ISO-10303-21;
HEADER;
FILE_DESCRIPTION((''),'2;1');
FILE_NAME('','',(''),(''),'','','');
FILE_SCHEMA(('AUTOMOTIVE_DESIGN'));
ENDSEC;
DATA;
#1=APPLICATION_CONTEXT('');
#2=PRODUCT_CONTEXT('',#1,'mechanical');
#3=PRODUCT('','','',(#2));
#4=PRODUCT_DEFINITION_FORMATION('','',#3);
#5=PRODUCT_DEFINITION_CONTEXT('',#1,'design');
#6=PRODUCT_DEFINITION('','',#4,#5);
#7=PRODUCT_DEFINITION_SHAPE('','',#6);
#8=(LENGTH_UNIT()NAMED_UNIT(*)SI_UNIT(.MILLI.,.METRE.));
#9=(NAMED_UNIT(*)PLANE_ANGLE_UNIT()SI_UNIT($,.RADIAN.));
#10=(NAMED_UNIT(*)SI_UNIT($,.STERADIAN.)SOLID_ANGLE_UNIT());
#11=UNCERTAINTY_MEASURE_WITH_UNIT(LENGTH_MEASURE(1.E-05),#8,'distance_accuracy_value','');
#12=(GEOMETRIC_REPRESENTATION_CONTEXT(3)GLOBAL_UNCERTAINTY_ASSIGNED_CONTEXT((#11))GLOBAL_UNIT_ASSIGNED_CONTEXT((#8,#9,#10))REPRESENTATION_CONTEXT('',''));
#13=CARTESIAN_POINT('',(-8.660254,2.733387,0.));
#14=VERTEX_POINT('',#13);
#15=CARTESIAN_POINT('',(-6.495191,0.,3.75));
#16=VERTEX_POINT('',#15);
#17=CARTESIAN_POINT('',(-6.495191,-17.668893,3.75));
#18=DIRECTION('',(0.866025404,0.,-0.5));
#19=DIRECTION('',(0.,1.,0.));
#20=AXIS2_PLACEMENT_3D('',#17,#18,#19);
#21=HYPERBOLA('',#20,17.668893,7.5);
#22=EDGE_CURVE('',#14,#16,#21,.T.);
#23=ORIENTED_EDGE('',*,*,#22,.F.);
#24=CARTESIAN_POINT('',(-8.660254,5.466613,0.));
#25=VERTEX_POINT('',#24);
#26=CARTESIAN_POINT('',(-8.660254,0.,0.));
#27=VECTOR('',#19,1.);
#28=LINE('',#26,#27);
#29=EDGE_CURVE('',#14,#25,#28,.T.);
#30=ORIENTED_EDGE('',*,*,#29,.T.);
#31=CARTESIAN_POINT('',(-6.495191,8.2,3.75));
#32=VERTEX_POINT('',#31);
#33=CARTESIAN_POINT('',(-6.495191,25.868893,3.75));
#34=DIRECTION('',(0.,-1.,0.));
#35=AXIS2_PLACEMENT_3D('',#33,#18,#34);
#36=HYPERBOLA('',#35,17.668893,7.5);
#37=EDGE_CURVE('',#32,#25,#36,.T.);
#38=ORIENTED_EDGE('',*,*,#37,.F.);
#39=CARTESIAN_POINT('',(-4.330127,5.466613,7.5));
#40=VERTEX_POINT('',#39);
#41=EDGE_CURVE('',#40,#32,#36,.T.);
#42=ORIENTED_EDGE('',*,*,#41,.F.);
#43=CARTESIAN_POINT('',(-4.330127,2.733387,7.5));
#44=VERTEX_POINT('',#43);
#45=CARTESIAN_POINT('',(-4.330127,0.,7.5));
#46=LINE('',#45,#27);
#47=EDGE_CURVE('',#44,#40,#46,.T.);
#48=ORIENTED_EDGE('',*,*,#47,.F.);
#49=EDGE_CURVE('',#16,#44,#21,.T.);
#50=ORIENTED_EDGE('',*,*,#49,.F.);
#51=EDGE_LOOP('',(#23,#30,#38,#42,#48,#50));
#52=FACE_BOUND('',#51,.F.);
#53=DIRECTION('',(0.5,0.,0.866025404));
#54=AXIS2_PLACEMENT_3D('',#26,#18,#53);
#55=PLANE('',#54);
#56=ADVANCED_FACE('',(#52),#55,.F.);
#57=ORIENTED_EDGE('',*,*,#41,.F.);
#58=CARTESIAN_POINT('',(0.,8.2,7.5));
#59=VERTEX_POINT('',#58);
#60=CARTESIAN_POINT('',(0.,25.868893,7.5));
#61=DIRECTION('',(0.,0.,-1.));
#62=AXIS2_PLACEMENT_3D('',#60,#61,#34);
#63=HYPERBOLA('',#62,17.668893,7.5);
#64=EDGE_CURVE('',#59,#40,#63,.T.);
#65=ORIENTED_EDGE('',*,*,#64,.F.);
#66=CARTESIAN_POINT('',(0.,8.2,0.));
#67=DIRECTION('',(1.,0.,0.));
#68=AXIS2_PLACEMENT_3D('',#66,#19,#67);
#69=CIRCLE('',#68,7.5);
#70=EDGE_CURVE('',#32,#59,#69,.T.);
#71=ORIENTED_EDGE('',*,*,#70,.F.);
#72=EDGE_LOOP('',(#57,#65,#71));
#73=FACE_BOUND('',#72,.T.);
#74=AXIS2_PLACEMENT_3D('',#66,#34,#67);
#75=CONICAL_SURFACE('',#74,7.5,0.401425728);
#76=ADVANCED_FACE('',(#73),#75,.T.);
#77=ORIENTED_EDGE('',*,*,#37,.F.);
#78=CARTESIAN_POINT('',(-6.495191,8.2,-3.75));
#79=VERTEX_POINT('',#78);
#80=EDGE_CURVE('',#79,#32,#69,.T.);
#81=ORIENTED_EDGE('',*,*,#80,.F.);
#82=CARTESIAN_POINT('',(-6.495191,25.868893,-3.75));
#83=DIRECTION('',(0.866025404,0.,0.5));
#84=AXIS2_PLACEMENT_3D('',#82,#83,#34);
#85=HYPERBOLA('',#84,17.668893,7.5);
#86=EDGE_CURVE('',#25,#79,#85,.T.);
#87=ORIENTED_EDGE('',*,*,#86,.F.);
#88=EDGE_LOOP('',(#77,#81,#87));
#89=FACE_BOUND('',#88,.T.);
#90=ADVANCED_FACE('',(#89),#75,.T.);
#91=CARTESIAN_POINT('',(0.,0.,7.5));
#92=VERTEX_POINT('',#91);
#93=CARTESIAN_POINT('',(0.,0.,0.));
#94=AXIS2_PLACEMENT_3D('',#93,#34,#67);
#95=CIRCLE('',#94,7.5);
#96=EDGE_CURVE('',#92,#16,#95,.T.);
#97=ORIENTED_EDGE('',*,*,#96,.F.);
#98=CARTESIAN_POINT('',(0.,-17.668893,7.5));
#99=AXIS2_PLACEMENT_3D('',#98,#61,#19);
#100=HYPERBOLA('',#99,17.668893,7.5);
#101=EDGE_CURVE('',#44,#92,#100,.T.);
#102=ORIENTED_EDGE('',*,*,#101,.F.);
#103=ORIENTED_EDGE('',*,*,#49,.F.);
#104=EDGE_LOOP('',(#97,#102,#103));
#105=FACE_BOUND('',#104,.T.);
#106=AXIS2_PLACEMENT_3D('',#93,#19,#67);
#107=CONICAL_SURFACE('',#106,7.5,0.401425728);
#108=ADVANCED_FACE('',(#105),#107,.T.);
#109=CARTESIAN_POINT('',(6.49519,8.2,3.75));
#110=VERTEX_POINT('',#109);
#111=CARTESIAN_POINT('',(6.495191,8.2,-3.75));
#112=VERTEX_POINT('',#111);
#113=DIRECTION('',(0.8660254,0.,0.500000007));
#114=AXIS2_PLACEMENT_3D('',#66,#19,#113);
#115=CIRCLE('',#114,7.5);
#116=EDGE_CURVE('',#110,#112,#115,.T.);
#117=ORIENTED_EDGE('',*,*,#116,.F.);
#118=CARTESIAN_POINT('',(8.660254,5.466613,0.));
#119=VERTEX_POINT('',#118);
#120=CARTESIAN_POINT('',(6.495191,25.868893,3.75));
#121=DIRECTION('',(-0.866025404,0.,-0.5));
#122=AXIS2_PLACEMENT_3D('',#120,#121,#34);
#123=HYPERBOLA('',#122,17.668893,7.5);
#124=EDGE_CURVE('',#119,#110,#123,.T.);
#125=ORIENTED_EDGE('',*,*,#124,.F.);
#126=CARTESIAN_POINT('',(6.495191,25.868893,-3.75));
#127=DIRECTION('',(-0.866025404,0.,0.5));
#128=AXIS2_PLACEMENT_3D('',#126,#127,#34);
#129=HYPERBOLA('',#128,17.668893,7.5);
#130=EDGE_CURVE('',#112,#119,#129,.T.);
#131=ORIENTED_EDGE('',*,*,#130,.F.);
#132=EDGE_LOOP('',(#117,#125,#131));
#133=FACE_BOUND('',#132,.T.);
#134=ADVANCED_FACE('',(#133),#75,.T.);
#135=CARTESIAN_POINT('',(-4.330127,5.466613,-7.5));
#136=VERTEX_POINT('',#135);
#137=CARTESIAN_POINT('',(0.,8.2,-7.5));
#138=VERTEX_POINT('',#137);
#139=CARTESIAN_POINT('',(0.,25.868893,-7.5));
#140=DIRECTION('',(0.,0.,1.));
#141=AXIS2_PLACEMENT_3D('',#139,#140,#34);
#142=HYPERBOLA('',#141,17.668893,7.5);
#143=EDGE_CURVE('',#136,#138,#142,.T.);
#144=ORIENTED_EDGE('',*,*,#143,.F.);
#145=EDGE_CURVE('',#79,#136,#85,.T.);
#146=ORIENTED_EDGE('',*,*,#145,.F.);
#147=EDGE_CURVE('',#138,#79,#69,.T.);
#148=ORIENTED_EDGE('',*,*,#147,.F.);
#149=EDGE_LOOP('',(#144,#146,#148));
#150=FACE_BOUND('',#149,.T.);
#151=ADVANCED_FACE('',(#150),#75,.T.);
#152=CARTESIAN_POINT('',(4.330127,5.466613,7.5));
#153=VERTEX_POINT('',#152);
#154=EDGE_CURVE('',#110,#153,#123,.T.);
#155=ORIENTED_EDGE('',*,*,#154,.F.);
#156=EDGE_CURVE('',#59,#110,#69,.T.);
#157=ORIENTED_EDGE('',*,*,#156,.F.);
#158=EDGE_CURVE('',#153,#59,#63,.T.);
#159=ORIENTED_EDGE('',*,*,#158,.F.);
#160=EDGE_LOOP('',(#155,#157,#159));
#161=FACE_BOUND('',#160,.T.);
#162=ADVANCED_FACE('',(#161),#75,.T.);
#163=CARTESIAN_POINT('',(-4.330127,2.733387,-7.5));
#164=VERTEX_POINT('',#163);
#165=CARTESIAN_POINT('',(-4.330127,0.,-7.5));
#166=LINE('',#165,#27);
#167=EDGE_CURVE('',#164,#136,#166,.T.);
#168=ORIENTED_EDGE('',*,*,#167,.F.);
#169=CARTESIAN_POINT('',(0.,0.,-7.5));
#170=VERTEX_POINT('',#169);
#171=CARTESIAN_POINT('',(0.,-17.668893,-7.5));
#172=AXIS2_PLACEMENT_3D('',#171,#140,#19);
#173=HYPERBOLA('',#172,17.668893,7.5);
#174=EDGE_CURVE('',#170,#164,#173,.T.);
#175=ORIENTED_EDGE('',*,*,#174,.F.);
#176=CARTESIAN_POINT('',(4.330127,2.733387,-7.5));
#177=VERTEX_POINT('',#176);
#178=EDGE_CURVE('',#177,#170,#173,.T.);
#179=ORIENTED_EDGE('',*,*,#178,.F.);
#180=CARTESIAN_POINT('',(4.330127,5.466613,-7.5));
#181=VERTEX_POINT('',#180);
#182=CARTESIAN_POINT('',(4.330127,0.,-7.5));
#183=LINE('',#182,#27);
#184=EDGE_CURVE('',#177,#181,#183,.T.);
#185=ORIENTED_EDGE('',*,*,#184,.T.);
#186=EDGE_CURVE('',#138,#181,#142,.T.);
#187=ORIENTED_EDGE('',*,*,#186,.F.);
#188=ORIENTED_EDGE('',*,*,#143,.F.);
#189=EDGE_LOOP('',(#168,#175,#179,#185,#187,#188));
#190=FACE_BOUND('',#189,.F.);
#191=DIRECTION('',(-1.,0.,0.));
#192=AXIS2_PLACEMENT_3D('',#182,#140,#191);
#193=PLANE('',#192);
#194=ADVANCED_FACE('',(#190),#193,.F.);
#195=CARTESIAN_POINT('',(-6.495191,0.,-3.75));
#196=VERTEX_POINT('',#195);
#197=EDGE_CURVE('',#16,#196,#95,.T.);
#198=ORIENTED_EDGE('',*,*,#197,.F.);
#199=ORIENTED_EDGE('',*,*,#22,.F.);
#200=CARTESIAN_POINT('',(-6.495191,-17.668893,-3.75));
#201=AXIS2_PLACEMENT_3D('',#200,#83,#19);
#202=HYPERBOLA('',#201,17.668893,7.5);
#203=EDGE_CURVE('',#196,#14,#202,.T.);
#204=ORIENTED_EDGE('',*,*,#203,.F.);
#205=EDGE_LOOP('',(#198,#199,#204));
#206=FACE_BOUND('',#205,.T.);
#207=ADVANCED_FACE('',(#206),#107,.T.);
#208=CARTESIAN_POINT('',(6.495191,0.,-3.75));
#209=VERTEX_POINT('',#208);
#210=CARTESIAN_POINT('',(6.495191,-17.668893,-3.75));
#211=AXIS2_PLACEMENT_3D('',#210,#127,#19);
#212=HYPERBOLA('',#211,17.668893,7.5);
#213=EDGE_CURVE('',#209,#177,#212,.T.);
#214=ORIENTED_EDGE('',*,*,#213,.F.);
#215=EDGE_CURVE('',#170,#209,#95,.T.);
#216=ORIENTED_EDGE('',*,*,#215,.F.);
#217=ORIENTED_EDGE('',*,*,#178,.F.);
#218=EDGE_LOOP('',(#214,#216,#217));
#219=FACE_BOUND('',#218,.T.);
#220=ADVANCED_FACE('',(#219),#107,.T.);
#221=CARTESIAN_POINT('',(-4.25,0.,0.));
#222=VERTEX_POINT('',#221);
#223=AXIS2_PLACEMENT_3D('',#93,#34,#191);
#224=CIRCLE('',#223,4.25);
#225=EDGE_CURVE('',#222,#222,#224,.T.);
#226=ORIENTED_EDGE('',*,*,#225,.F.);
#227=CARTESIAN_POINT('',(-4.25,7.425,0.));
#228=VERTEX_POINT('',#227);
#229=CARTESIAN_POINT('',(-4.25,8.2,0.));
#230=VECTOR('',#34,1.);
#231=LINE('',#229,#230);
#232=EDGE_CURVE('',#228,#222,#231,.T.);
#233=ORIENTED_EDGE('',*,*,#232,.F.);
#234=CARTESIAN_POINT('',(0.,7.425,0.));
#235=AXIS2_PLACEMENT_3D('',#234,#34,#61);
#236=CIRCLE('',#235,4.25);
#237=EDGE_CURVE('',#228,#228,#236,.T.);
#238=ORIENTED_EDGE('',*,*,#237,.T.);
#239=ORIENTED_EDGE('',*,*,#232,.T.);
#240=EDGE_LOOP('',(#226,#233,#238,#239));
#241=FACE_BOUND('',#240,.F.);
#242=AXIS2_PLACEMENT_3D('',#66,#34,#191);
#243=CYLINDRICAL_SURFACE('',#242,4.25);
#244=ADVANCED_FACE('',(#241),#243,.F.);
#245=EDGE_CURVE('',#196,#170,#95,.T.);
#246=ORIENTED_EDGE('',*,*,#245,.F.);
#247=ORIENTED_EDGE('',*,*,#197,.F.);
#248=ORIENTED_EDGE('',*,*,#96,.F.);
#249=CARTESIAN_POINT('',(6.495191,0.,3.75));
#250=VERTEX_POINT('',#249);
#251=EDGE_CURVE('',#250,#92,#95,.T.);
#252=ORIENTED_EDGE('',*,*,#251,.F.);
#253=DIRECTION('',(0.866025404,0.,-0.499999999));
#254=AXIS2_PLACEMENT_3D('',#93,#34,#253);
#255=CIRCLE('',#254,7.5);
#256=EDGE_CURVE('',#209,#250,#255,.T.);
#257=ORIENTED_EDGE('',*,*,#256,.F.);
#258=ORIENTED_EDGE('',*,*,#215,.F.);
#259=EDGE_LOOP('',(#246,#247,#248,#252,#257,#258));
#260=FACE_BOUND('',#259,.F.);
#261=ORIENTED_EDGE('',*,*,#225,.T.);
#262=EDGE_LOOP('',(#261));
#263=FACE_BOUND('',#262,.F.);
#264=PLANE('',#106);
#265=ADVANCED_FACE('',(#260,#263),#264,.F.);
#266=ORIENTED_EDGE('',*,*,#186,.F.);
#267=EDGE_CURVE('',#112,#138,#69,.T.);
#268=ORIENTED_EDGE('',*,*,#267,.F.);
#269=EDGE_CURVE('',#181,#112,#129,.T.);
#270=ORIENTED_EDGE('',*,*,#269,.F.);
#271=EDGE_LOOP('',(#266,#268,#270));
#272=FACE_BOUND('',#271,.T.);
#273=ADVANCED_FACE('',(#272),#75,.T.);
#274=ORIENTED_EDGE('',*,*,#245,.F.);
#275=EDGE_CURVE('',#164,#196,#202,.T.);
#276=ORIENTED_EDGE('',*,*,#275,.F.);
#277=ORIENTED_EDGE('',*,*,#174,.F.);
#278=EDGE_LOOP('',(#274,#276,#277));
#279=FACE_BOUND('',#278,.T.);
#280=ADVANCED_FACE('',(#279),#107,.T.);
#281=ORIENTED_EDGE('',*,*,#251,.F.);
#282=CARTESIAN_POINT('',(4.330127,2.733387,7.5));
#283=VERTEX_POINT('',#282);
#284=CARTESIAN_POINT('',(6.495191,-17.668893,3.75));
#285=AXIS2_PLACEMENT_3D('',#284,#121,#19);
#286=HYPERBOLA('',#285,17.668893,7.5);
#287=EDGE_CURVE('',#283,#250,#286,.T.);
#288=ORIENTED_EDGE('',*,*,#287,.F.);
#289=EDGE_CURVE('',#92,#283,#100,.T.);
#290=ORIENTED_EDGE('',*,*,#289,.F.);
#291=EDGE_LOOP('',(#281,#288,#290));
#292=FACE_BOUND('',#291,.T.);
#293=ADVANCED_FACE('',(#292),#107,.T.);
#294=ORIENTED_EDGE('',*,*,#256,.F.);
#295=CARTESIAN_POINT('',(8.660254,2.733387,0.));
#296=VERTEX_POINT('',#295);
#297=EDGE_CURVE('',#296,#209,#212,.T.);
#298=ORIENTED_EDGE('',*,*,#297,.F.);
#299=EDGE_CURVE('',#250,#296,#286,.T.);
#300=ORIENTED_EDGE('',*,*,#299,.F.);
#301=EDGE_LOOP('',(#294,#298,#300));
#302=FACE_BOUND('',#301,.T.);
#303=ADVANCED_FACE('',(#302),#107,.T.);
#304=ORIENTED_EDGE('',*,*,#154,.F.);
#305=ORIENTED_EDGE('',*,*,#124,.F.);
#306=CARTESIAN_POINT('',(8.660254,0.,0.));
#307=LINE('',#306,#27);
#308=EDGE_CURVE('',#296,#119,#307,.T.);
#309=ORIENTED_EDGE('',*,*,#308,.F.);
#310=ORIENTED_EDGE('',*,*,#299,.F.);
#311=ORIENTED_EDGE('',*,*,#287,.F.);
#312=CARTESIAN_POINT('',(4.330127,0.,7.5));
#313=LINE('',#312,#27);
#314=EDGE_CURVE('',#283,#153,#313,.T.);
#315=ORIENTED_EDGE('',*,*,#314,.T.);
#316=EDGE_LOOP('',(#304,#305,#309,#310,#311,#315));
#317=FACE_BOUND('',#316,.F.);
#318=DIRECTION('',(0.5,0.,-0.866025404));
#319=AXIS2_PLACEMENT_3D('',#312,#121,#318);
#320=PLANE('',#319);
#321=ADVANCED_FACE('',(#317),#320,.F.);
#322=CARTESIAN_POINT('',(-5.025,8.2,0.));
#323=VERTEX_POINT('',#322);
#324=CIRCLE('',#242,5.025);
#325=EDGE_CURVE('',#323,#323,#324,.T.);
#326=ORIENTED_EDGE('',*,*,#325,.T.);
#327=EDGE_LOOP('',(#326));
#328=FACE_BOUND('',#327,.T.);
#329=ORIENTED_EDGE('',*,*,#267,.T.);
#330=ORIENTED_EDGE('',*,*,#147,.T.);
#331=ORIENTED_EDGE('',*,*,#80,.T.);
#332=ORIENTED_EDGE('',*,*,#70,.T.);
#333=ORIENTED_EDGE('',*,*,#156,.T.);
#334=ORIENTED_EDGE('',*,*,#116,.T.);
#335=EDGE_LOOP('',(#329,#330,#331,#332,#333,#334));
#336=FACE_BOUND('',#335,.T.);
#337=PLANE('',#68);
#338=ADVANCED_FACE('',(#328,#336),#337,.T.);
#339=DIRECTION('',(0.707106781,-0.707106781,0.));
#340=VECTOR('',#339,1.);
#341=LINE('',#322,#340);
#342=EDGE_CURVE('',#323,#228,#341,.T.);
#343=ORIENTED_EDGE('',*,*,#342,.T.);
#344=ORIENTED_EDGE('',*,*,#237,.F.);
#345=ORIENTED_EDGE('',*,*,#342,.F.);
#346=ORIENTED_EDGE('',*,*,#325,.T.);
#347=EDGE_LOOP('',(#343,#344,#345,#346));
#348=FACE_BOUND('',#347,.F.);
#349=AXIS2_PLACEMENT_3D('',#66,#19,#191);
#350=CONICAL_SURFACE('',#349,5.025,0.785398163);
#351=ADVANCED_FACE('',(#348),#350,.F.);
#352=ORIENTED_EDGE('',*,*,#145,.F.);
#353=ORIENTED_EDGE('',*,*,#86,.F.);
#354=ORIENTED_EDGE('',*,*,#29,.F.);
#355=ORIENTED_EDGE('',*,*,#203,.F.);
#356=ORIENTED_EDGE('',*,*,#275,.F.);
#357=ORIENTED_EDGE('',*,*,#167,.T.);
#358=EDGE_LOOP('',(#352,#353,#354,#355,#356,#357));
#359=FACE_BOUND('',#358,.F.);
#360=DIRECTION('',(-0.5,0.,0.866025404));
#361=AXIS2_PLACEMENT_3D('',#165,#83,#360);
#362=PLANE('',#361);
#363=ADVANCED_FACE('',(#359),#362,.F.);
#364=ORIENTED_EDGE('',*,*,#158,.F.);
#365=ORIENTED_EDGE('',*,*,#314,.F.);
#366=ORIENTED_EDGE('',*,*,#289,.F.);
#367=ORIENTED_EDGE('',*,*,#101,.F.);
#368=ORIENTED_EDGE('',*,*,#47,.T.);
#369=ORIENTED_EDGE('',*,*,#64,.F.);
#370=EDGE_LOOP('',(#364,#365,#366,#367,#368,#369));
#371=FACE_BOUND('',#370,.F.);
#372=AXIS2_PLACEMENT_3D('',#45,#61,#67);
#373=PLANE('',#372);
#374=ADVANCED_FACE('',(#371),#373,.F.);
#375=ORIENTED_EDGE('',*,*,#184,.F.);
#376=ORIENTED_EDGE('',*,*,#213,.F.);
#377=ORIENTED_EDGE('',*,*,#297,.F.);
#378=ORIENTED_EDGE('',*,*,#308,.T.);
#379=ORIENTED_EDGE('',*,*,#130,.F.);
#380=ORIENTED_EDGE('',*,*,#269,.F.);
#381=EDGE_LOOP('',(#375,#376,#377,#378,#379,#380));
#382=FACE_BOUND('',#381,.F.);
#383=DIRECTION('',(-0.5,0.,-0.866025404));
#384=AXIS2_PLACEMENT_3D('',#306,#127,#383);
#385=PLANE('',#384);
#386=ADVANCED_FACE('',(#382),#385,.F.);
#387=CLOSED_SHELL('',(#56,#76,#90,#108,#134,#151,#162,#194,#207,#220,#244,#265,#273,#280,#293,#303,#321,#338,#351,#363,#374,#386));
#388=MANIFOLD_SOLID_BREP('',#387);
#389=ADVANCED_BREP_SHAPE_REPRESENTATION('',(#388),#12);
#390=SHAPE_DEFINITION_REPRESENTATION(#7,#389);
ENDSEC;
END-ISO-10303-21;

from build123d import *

# Parameters (mm, degrees)
EXTRUDE_1_DEPTH               = 8.2
SKETCH_2_OUTSIDE_W            = 31.148
SKETCH_2_OUTSIDE_H            = 28.828
SKETCH_2_OUTSIDE_R            = 7.5
CUT_EXTRUDE_1_DEPTH           = 8.2
CUT_EXTRUDE_1_DRAFT           = -23
SKETCH_3_OUTSIDE_W            = 31.148
SKETCH_3_OUTSIDE_H            = 28.828
SKETCH_3_OUTSIDE_R            = 7.5
CUT_EXTRUDE_2_DEPTH           = 8.2
CUT_EXTRUDE_2_DRAFT           = -23
HOLE_WIZARD_M10_1_D           = 8.5
HOLE_WIZARD_M10_1_CSINK_D     = 10.05
HOLE_WIZARD_M10_1_CSINK_ANGLE = 90


with BuildPart() as part:
    # 草图1 → 凸台-拉伸1 (new body)
    with BuildSketch(Plane(origin=(0, 0, 0), x_dir=(1, 0, 0), z_dir=(0, 1, 0))):
        Polygon((4.330127019, 7.5), (-4.330127019, 7.5), (-8.660254038, 0), (-4.330127019, -7.5), (4.330127019, -7.5), (8.660254038, 0), align=None)
    extrude(amount=EXTRUDE_1_DEPTH)


with BuildPart() as cut_extrude_1_tool:
    # 草图2 outside → 切除-拉伸1 (with draft: the straight prism first)
    with BuildSketch(Plane(origin=(0, 8.2, 0), x_dir=(1, 0, 0), z_dir=(0, 1, 0))):
        Rectangle(SKETCH_2_OUTSIDE_W, SKETCH_2_OUTSIDE_H)
        Circle(SKETCH_2_OUTSIDE_R, mode=Mode.SUBTRACT)
    extrude(amount=-CUT_EXTRUDE_1_DEPTH)
    # 切除-拉伸1: the draft: its side faces are tilted about the plane it starts from
    cut_extrude_1_sides = [cut_extrude_1_tool.faces().sort_by_distance(p)[0] for p in [
        (0, 4.1, 14.414),
        (15.574, 4.1, 0),
        (0, 4.1, -14.414),
        (-15.574, 4.1, 0),
        (-7.5, 4.1, 0),
    ]]
    draft(cut_extrude_1_sides, Plane(origin=(0, 8.2, 0), x_dir=(1, 0, 0), z_dir=(0, 1, 0)), CUT_EXTRUDE_1_DRAFT)


with BuildPart() as part_1:
    add(part.part)

    # 切除-拉伸1: cut by cut_extrude_1_tool
    add(cut_extrude_1_tool.part, mode=Mode.SUBTRACT)


with BuildPart() as cut_extrude_2_tool:
    # 草图3 outside → 切除-拉伸2 (with draft: the straight prism first)
    with BuildSketch(Plane.XZ):
        Rectangle(SKETCH_3_OUTSIDE_W, SKETCH_3_OUTSIDE_H)
        Circle(SKETCH_3_OUTSIDE_R, mode=Mode.SUBTRACT)
    extrude(amount=-CUT_EXTRUDE_2_DEPTH)
    # 切除-拉伸2: the draft: its side faces are tilted about the plane it starts from
    cut_extrude_2_sides = [cut_extrude_2_tool.faces().sort_by_distance(p)[0] for p in [
        (0, 4.1, -14.414),
        (15.574, 4.1, 0),
        (0, 4.1, 14.414),
        (-15.574, 4.1, 0),
        (-7.5, 4.1, 0),
    ]]
    draft(cut_extrude_2_sides, Plane.XZ, CUT_EXTRUDE_2_DRAFT)


with BuildPart() as part_2:
    add(part_1.part)

    # 切除-拉伸2: cut by cut_extrude_2_tool
    add(cut_extrude_2_tool.part, mode=Mode.SUBTRACT)

    # M10 螺纹孔1 (through all)
    with Locations(Plane(origin=(0, 8.2, 0), x_dir=(1, 0, 0), z_dir=(0, 1, 0))):
        with Locations((0, 0)):
            CounterSinkHole(HOLE_WIZARD_M10_1_D / 2, HOLE_WIZARD_M10_1_CSINK_D / 2, counter_sink_angle=HOLE_WIZARD_M10_1_CSINK_ANGLE)


solid = part_2.part
